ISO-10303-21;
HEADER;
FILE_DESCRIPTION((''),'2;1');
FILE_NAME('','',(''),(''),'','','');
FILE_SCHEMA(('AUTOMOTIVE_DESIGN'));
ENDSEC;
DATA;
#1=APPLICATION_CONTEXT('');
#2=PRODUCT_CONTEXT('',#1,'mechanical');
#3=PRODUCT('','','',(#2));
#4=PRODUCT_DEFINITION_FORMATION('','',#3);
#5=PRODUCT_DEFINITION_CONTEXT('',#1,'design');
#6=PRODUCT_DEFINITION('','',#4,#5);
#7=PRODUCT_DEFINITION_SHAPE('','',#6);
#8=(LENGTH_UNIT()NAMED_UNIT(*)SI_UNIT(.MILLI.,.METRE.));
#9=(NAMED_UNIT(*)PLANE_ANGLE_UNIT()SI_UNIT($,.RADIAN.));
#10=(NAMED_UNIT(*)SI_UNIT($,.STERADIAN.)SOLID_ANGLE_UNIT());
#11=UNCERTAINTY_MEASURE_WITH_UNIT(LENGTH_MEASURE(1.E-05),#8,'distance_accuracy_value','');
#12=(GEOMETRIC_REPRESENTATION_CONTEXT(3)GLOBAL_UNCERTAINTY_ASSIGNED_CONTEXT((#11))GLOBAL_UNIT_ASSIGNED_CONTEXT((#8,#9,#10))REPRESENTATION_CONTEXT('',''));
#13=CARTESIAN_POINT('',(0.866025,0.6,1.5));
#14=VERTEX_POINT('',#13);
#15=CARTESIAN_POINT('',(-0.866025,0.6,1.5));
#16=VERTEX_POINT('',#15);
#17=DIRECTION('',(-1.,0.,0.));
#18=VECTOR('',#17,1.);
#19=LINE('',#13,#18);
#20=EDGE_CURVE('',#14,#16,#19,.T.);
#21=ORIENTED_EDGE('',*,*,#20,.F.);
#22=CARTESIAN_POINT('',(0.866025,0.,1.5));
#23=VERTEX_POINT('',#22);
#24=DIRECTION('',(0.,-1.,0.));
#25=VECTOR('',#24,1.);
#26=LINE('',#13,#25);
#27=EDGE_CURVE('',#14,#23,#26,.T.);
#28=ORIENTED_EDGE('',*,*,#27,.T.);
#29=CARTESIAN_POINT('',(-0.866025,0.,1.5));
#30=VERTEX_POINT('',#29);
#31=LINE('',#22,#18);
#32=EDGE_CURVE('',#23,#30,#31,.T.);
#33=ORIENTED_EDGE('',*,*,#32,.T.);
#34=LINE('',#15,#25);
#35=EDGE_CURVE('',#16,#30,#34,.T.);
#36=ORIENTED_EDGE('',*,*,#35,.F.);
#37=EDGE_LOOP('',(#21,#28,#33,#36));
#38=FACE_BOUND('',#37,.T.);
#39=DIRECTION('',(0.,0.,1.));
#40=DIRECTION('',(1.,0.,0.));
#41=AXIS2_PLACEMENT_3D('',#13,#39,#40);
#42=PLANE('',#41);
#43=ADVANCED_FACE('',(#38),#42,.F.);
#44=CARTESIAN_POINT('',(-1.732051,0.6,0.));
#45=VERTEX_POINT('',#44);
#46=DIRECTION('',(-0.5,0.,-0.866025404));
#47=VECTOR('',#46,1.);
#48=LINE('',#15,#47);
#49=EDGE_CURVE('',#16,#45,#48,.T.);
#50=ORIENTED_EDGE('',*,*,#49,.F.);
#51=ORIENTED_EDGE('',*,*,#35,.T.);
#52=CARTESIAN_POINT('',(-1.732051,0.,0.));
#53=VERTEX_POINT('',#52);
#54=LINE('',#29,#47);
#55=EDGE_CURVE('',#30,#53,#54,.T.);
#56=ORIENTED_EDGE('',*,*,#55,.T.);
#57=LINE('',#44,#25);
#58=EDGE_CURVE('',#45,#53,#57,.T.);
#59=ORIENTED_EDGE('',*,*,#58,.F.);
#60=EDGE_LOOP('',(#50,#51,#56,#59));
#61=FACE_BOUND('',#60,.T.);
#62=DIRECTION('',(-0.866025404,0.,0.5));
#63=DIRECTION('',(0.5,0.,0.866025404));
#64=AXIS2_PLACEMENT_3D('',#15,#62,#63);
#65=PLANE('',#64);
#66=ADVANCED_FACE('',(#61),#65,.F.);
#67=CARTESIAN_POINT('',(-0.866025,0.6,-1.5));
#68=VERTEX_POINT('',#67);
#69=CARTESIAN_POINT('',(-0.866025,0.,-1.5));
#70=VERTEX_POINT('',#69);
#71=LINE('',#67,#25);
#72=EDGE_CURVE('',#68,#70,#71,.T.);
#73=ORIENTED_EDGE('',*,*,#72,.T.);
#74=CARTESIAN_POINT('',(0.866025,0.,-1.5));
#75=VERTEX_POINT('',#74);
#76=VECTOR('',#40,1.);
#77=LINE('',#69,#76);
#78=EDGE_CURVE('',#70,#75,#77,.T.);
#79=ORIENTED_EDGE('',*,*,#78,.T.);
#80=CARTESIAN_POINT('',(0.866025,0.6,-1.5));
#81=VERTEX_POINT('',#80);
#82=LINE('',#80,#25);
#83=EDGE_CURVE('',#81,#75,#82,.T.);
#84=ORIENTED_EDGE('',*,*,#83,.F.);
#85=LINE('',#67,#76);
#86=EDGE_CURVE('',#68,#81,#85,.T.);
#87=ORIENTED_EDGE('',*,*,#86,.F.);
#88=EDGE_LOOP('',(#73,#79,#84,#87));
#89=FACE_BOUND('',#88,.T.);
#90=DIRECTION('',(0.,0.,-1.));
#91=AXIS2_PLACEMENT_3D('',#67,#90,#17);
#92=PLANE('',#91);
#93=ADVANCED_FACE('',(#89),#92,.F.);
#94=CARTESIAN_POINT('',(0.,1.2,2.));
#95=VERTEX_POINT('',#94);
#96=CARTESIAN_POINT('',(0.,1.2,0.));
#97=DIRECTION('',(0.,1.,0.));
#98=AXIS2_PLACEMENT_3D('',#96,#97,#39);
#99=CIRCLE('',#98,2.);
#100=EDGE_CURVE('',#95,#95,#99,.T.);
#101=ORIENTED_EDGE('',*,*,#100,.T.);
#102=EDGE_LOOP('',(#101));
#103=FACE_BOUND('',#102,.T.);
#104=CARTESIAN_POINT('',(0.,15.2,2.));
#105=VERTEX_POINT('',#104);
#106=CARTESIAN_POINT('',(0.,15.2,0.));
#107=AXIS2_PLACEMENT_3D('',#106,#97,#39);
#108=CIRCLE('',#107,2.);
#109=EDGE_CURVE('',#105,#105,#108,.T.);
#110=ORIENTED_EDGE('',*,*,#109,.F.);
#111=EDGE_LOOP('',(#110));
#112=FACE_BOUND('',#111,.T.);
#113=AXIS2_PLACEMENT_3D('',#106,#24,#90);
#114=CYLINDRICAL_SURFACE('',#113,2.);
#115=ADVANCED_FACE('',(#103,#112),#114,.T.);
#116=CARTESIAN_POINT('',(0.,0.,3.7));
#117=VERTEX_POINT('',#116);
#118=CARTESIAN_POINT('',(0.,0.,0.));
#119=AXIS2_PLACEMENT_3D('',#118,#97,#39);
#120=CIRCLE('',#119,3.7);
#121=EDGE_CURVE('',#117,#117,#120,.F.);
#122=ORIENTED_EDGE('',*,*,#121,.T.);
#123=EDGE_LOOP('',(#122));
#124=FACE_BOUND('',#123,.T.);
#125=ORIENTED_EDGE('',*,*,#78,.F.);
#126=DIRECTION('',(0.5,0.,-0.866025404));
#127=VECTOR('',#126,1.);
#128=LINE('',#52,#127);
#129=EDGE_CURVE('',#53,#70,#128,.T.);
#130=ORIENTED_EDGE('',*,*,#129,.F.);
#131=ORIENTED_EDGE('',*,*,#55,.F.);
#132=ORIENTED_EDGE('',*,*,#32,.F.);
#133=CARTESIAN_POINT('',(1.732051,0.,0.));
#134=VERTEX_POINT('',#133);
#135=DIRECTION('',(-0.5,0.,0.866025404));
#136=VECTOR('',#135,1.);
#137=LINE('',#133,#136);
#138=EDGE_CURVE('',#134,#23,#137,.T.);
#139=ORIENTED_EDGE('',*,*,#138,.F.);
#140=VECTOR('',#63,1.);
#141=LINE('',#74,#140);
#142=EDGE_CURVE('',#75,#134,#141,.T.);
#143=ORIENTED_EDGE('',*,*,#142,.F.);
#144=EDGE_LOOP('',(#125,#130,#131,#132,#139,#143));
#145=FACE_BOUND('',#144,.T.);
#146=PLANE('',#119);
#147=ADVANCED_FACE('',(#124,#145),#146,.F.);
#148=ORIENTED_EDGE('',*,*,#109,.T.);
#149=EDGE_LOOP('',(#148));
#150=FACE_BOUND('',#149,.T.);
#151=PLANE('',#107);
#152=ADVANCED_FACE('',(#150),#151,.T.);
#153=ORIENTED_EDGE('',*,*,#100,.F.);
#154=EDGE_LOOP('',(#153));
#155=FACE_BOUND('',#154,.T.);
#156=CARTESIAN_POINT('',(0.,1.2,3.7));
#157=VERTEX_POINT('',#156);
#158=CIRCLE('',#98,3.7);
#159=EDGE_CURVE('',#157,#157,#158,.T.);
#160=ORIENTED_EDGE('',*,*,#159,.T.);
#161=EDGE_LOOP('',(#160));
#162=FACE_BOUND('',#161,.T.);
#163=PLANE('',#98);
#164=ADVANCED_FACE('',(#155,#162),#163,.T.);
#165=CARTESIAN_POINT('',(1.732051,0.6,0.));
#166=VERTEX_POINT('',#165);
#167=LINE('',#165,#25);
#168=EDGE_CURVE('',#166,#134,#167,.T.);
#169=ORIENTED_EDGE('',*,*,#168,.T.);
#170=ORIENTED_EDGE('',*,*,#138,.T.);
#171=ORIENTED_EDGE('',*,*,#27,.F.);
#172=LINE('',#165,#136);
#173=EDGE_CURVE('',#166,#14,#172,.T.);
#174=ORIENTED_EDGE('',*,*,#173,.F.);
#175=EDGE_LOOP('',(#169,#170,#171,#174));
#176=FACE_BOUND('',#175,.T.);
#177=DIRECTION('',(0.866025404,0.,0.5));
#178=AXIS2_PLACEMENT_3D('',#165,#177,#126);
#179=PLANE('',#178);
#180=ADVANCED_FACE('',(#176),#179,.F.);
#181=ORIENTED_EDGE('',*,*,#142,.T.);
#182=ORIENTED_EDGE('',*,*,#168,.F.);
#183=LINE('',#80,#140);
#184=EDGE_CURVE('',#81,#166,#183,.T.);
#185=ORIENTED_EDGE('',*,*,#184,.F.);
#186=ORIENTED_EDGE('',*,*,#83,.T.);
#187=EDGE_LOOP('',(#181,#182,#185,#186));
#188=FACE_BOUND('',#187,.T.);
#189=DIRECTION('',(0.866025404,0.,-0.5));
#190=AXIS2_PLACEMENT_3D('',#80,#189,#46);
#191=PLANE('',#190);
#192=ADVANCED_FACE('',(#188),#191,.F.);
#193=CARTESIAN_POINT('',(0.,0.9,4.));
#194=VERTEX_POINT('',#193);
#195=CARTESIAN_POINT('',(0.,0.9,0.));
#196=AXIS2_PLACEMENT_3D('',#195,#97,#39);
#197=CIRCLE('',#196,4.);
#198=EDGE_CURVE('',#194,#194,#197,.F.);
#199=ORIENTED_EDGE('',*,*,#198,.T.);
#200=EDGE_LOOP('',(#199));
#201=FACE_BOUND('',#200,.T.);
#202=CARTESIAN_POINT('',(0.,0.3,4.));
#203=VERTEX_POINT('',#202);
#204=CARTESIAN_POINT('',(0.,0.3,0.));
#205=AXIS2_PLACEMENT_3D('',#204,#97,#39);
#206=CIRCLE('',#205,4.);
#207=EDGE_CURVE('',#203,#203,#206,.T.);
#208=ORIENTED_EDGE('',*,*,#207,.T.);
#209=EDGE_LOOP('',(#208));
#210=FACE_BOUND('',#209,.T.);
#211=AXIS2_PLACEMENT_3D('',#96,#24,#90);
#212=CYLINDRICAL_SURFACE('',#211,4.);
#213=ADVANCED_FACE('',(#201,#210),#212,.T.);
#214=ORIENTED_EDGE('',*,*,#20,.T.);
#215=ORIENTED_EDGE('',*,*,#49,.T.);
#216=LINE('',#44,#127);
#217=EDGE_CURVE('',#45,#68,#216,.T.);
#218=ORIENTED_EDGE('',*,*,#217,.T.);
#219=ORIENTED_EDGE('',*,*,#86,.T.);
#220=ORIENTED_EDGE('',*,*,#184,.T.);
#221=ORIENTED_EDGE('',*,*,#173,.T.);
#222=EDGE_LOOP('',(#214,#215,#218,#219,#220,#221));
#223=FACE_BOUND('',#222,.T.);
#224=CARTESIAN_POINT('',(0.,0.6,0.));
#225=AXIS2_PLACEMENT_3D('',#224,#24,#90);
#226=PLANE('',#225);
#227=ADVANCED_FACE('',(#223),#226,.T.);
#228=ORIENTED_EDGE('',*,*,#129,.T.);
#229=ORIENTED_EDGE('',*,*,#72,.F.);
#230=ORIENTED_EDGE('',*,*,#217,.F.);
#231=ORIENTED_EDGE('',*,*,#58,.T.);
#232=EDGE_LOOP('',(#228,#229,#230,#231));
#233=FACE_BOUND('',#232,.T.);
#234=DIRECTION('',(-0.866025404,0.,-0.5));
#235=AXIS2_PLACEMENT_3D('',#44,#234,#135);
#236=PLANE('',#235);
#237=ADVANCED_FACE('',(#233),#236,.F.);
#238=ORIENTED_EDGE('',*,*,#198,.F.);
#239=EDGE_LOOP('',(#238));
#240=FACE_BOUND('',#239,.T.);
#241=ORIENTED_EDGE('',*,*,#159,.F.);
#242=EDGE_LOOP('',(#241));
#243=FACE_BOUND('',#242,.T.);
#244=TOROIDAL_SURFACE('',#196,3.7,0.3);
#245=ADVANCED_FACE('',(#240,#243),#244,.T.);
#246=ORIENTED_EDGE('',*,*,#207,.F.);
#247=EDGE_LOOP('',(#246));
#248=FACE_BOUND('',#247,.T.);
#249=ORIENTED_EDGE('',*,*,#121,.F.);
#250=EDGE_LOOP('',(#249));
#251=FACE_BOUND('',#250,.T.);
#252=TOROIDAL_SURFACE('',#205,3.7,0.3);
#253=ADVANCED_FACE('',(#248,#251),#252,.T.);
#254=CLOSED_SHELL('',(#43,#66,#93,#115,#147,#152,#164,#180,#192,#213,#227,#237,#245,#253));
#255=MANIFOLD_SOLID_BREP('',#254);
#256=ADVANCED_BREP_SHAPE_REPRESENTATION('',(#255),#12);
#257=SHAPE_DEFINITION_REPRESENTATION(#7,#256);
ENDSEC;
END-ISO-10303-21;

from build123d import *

# Parameters (mm, degrees)
SKETCH1_R           = 4
BOSS_EXTRUDE1_DEPTH = 1.2
SKETCH2_R           = 2
BOSS_EXTRUDE2_DEPTH = 14
FILLET2_R           = 0.3
CUT_EXTRUDE1_DEPTH  = 0.6


with BuildPart() as part:
    # Sketch1 → Boss-Extrude1 (new body)
    with BuildSketch(Plane(origin=(0, 0, 0), x_dir=(1, 0, 0), z_dir=(0, 1, 0))):
        with Locations(Location((0, 0, 0), (0, 0, 270))):
            Circle(SKETCH1_R)
    extrude(amount=BOSS_EXTRUDE1_DEPTH)

    # Sketch2 → Boss-Extrude2 (add)
    with BuildSketch(Plane(origin=(0, 1.2, 0), x_dir=(1, 0, 0), z_dir=(0, 1, 0))):
        with Locations(Location((0, 0, 0), (0, 0, 270))):
            Circle(SKETCH2_R)
    extrude(amount=BOSS_EXTRUDE2_DEPTH)

    # Fillet2
    fillet2_edges = [part.edges().sort_by_distance(p)[0] for p in [
        (0, 0, -4),
        (0, 1.2, -4),
    ]]
    fillet(fillet2_edges, radius=FILLET2_R)

    # Sketch3 → Cut-Extrude1 (cut)
    with BuildSketch(Plane.XZ):
        Polygon((1.732050808, 0), (0.866025404, 1.5), (-0.866025404, 1.5), (-1.732050808, 0), (-0.866025404, -1.5), (0.866025404, -1.5), align=None)
    extrude(amount=-CUT_EXTRUDE1_DEPTH, mode=Mode.SUBTRACT)


solid = part.part
